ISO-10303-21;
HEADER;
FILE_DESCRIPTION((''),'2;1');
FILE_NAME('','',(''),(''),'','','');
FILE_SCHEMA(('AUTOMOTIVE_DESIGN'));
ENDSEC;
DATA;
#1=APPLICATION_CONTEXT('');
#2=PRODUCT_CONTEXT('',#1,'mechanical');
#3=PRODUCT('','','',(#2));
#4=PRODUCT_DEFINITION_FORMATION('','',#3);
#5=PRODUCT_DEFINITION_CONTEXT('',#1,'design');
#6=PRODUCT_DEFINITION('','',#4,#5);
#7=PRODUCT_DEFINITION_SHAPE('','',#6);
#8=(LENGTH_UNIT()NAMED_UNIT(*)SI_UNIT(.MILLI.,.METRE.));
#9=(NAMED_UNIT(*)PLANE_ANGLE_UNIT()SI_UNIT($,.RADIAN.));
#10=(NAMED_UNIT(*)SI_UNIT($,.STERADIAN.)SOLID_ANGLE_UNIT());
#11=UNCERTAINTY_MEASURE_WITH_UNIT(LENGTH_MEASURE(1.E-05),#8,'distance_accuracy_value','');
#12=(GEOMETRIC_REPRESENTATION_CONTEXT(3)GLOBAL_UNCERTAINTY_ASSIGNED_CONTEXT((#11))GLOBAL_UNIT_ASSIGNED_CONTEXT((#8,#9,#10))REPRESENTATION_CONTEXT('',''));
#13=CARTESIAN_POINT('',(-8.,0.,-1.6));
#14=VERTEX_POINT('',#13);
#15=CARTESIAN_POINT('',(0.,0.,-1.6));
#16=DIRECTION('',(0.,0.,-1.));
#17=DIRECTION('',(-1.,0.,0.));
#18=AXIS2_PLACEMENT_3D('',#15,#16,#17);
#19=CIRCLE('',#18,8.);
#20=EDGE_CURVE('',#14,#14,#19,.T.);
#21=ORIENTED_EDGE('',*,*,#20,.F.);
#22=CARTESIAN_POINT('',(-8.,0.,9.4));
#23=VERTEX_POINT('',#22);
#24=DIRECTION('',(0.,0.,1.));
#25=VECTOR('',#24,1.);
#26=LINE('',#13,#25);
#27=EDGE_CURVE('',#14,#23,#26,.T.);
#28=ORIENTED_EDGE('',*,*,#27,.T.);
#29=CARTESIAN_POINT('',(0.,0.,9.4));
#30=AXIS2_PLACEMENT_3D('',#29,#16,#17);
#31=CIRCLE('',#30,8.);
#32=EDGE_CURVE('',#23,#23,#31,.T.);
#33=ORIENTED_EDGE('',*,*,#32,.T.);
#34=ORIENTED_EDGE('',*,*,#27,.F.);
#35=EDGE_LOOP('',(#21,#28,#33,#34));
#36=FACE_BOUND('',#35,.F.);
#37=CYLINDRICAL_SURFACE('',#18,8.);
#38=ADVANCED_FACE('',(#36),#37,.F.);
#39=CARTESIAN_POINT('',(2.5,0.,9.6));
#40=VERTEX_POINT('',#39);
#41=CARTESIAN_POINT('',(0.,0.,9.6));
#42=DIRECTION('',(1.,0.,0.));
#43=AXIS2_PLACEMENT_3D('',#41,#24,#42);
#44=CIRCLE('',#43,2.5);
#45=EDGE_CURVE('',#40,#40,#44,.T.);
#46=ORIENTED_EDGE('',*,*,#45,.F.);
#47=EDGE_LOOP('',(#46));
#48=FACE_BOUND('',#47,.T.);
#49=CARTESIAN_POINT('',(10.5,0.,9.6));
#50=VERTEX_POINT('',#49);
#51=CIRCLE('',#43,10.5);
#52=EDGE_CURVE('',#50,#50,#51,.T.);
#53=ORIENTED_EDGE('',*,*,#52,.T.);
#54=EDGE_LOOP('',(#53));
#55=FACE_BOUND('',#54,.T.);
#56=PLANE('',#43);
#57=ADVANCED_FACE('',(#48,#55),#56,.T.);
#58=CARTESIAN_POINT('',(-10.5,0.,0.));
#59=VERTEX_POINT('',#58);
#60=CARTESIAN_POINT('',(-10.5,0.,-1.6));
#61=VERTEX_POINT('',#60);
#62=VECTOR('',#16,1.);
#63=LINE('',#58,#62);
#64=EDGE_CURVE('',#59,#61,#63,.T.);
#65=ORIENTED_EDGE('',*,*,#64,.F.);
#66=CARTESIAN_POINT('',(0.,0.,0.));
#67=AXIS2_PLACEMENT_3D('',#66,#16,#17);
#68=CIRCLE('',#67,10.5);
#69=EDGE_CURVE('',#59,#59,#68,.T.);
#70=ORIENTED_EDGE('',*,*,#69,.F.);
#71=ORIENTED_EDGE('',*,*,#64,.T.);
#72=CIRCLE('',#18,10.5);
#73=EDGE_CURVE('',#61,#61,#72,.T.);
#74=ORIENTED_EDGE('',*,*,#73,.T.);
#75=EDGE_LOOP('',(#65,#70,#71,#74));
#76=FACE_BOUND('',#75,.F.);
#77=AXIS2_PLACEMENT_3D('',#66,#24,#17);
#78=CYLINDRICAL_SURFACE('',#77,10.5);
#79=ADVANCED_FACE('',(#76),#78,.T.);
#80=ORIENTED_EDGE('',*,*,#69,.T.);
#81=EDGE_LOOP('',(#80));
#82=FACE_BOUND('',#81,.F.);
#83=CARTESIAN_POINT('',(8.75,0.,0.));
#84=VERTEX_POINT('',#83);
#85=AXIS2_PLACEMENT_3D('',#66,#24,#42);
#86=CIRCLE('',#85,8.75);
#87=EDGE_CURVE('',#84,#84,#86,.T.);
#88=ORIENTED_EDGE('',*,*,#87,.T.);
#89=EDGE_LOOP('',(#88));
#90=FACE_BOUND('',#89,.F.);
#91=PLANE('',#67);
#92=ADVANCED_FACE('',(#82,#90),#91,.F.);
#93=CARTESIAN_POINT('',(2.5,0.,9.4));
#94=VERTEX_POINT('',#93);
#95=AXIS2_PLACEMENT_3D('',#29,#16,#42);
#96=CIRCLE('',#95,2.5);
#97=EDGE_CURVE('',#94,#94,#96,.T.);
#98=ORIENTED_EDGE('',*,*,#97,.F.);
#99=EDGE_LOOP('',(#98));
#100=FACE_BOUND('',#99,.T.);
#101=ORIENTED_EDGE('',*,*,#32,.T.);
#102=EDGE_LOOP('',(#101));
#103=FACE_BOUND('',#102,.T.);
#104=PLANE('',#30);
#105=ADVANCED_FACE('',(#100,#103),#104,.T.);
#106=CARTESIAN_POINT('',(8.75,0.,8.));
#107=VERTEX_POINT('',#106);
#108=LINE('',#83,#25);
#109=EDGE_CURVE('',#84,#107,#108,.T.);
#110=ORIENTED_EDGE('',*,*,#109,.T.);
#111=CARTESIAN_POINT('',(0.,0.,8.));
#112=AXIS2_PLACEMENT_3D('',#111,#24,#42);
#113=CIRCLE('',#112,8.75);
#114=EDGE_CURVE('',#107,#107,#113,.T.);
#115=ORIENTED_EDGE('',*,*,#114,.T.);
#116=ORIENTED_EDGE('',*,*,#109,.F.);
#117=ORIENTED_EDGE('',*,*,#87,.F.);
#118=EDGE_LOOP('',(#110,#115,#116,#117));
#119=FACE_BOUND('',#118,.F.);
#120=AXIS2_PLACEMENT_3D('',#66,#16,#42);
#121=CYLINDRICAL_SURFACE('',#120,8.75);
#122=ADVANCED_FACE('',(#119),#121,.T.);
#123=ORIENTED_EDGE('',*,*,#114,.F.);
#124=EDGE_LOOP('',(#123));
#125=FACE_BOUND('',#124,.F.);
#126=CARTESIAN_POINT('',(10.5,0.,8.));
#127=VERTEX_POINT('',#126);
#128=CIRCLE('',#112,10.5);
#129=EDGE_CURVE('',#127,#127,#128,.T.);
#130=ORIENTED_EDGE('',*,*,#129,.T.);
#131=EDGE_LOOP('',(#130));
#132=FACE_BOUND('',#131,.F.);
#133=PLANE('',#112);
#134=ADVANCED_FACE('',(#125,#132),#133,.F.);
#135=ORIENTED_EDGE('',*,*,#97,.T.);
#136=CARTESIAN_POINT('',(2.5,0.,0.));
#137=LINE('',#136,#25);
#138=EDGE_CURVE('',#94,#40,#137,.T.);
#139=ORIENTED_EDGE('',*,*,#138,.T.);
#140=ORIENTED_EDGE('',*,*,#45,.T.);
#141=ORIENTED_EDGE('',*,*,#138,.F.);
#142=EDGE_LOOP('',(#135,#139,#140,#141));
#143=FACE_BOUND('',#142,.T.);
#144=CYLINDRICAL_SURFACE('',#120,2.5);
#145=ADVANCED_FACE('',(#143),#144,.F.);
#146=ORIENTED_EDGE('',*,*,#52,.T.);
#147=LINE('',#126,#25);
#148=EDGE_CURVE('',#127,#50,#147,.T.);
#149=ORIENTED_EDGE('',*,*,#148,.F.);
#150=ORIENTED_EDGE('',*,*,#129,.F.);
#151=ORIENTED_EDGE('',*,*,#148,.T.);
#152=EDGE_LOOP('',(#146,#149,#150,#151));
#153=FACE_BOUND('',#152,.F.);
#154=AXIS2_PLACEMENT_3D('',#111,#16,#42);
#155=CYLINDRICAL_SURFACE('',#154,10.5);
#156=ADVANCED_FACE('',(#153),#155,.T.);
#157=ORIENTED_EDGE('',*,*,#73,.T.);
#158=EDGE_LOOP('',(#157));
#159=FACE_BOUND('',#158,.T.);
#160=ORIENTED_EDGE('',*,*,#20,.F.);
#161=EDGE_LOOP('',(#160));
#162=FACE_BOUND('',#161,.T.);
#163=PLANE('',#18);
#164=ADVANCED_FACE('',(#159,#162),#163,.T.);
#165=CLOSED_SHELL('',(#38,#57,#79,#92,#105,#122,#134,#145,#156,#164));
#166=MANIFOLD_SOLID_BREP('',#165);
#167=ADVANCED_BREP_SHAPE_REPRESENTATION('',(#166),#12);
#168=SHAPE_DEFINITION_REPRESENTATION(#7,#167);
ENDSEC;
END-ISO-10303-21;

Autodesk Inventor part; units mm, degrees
ref_plane "YZ Plane" through (0, 0, 0) normal (1, 0, 0) x (0, 1, 0)
ref_plane "XZ Plane" through (0, 0, 0) normal (0, 1, 0) x (-1, 0, 0)
ref_plane "XY Plane" through (0, 0, 0) normal (0, 0, 1) x (1, 0, 0)
sketch "Sketch1" plane through (0, 0, 0) normal (0, 0, 1) x (1, 0, 0)
  circle A0 centre (0, 0) radius 8.75
  circle A1 centre (0, 0) radius 2.5
  dimension "d0" = 17.5
  dimension "d1" = 5
extrude "Extrusion1" add sketch "Sketch1" along normal blind 8
sketch "Sketch2" plane through (0, 0, 8) normal (0, 0, 1) x (1, 0, 0)
  circle A0 centre (0, 0) radius 2.5 projected
  circle A1 centre (0, 0) radius 8.75 projected
  circle A2 centre (0, 0) radius 10.5
  dimension "d4" = 21
extrude "Extrusion2" add sketch "Sketch2" along normal blind 1.6 contours A1 | A2
sketch "Sketch3" plane through (0, 0, 0) normal (0, 0, -1) x (-1, 0, 0)
  circle A0 centre (0, 0) radius 2.5 projected
  circle A1 centre (0, 0) radius 8.75 projected
  circle A2 centre (0, 0) radius 10.5
  dimension "d7" = 21
extrude "Extrusion3" add sketch "Sketch3" along normal blind 1.6 contours A1 | A2
sketch "Sketch5" plane through (0, 0, -1.6) normal (0, 0, -1) x (-1, 0, 0)
  circle A0 centre (0, 0) radius 2.5 projected
  circle A1 centre (0, 0) radius 10.5 projected
  circle A2 centre (0, 0) radius 8
  dimension "d11" = 16
extrude "Extrusion4" cut sketch "Sketch5" against normal blind 11 contours A2
properties part number "MSK01-06" material "Nylon-6/6"
